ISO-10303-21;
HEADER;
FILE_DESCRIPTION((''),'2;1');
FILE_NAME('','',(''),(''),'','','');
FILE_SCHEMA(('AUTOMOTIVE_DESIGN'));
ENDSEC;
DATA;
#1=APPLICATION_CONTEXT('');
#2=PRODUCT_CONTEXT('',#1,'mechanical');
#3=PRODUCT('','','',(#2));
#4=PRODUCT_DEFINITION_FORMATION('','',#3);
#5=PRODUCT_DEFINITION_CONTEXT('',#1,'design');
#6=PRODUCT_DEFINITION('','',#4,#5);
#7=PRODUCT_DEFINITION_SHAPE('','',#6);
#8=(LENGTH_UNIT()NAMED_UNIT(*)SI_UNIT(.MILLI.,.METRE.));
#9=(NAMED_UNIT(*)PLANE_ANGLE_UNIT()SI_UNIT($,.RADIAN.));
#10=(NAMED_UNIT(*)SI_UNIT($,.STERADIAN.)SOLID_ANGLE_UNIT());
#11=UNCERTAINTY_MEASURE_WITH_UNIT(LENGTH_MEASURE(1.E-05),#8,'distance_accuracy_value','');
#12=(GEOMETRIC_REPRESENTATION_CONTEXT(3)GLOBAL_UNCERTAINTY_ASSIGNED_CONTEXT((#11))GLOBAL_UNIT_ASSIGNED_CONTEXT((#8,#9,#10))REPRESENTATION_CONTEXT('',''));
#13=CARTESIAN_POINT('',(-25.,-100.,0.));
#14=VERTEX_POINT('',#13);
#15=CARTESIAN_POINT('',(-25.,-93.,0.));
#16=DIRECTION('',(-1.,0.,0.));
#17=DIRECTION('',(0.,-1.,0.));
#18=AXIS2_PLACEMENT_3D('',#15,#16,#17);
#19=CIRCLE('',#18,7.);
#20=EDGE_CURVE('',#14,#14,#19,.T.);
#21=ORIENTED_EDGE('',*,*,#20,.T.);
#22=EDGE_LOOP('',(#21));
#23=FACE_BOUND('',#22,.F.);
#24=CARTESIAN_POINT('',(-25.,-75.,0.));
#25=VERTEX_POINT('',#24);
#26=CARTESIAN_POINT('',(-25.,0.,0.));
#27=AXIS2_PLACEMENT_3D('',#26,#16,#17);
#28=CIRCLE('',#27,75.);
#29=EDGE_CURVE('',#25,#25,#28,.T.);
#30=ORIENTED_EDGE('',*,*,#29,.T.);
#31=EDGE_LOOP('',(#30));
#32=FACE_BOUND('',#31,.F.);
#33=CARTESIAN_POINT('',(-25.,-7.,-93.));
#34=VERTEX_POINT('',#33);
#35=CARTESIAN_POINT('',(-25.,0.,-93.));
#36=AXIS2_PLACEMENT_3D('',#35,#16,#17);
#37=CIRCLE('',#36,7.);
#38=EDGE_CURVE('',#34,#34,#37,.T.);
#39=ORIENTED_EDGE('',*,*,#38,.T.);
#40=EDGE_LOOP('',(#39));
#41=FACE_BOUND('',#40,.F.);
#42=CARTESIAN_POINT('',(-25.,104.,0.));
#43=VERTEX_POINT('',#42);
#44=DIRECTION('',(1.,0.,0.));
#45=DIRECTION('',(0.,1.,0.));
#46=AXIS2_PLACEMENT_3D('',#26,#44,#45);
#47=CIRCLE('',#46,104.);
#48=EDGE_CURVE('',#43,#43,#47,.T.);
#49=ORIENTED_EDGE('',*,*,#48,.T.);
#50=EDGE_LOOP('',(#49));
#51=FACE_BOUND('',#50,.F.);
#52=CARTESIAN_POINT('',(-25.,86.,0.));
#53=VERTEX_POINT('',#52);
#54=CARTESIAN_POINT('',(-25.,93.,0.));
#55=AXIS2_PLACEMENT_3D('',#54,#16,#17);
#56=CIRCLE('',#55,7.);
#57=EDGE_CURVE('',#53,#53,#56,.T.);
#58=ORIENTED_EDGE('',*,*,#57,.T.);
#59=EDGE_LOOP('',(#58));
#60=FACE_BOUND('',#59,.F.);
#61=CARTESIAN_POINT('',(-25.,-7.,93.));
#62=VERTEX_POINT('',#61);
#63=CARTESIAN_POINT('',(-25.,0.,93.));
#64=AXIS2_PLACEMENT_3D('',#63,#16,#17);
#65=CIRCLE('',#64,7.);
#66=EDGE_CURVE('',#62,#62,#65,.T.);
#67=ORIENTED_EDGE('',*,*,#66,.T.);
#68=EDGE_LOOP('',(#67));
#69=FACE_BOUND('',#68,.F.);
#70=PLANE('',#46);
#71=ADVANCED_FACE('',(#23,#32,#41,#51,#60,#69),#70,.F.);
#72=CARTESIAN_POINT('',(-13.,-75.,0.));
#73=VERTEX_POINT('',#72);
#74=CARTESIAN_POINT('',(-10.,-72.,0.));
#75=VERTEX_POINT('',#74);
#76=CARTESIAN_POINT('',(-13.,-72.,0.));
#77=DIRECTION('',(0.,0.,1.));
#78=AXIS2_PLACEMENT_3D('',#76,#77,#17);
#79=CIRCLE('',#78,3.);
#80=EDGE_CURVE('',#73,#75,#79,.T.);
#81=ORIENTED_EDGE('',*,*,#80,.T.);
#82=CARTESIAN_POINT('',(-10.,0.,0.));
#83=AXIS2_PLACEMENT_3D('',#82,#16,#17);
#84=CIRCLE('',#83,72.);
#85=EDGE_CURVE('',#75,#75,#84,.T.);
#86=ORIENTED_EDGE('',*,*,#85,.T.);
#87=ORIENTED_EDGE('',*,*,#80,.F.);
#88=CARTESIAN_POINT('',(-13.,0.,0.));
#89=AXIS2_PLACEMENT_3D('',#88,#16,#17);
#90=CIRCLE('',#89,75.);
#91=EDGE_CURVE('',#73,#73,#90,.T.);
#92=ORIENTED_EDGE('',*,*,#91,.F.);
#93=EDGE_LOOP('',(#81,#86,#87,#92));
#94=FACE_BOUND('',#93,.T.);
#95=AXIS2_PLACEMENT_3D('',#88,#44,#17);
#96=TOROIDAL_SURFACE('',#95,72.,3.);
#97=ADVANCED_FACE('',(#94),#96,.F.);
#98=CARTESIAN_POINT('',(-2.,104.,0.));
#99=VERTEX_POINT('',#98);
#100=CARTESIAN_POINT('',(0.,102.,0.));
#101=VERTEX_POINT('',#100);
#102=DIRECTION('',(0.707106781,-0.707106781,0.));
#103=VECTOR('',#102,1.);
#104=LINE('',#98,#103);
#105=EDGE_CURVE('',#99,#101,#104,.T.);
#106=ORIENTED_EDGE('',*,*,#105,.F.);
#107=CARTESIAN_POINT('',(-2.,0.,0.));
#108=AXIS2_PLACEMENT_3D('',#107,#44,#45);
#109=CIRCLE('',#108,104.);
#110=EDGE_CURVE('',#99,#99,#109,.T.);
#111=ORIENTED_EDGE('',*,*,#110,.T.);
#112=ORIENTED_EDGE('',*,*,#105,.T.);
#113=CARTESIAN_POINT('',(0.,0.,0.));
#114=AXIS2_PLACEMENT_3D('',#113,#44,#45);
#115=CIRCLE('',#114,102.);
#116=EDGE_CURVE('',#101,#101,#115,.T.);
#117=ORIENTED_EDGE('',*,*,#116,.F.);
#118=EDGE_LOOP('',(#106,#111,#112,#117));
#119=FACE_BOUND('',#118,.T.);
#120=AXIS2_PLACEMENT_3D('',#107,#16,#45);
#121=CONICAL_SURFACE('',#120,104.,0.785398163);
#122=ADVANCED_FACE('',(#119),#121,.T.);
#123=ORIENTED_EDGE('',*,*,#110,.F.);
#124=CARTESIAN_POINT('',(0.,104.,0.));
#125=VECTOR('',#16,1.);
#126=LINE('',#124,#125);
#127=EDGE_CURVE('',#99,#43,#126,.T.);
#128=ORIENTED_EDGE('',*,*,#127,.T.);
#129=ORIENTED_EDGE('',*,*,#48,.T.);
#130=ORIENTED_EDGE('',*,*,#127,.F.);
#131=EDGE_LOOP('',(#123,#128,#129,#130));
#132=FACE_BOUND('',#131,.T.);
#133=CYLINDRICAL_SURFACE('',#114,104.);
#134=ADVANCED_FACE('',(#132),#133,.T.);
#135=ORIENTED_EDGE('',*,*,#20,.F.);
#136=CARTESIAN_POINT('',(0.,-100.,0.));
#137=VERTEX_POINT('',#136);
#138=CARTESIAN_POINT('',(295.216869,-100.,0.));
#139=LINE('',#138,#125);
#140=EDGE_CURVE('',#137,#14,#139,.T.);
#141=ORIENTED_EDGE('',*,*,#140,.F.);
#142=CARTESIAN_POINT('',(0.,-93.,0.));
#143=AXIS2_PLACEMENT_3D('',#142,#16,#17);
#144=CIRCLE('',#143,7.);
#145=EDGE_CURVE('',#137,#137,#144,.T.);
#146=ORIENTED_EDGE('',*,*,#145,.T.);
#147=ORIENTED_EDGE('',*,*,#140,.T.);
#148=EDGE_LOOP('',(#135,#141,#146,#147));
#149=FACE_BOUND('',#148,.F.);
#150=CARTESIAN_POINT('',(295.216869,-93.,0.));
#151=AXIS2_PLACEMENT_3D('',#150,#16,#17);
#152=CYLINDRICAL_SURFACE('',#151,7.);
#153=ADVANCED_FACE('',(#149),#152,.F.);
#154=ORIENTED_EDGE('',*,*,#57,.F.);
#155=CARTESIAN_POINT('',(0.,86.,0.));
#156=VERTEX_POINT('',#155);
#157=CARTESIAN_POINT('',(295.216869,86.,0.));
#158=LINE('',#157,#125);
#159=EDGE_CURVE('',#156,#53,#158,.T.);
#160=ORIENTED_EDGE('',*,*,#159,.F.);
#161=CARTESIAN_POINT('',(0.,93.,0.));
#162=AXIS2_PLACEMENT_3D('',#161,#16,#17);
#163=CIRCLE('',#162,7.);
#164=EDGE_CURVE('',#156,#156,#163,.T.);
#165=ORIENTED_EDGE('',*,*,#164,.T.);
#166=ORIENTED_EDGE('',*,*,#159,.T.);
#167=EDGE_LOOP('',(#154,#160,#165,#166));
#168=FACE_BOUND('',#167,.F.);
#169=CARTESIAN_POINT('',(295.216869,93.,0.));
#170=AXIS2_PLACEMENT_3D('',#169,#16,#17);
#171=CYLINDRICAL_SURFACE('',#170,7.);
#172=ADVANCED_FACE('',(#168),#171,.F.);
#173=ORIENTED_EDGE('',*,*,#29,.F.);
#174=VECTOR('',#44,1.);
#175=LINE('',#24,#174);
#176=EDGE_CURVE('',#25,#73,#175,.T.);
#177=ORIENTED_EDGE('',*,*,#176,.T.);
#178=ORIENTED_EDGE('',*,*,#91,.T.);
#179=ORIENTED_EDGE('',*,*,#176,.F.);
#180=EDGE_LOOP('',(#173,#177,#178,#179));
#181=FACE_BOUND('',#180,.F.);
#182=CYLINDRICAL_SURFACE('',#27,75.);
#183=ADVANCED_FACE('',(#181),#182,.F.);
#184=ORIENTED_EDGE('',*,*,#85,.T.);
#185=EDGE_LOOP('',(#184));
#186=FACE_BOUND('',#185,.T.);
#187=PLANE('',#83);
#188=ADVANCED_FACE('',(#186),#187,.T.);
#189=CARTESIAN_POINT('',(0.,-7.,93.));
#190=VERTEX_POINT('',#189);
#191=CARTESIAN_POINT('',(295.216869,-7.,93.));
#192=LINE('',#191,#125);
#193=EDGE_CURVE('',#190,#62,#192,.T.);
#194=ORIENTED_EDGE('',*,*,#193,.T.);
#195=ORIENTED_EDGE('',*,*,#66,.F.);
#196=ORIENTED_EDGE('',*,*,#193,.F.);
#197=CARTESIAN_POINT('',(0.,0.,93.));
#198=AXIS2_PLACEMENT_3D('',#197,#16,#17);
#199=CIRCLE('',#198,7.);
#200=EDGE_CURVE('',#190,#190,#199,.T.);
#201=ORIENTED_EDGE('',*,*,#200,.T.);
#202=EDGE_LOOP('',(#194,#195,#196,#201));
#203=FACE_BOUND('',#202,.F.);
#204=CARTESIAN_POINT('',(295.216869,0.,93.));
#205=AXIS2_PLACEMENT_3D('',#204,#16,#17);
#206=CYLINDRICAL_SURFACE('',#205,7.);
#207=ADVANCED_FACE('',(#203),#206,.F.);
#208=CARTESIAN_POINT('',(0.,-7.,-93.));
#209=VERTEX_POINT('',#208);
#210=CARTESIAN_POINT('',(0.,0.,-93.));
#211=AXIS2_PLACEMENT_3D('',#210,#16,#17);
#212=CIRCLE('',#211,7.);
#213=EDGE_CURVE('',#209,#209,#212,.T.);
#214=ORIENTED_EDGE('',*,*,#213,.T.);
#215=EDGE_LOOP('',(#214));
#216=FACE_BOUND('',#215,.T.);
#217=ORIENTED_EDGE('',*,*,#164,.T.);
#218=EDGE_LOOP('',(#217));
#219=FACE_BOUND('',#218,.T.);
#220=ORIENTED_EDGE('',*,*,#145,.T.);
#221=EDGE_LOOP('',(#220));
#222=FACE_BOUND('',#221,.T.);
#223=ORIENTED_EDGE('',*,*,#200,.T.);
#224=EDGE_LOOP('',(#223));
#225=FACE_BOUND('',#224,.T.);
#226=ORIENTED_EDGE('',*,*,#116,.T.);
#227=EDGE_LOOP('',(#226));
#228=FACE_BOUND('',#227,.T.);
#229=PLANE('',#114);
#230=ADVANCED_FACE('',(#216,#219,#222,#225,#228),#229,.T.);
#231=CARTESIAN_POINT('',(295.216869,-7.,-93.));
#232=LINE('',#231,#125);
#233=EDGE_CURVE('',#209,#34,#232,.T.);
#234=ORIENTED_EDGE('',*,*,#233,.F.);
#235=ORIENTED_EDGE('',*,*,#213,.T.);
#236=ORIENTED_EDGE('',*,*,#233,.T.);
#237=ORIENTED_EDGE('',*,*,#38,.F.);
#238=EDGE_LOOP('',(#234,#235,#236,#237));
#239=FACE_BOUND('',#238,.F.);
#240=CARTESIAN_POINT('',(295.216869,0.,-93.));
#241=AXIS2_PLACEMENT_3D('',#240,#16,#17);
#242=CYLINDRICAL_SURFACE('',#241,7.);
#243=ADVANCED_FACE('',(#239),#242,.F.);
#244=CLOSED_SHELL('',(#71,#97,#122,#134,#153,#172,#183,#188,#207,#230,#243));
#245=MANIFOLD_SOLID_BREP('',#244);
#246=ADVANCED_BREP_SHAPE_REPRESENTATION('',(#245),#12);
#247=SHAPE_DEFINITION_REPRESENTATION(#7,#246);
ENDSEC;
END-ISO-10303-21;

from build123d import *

# Parameters (mm, degrees)
F0_R     = 104
F1_DEPTH = 25
F2_R     = 75
F3_DEPTH = 15
F4_R     = 3
F5_SIZE  = 2
F7_D     = 14


with BuildPart() as f1:
    # F0 (on Right) → F1 (new body)
    with BuildSketch(Plane.YZ):
        Circle(F0_R)
    extrude(amount=-F1_DEPTH)

    # F2 (on face) → F3 (cut)
    with BuildSketch(Plane(origin=(-25, 0, 0), x_dir=(0, -1, 0), z_dir=(-1, 0, 0))):
        Circle(F2_R)
    extrude(amount=-F3_DEPTH, mode=Mode.SUBTRACT)

    # F4
    f4_edges = [f1.edges().sort_by_distance(p)[0] for p in [
        (-10, 75, 0),
    ]]
    fillet(f4_edges, radius=F4_R)

    # F5
    f5_edges = [f1.edges().sort_by_distance(p)[0] for p in [
        (0, -104, 0),
    ]]
    chamfer(f5_edges, length=F5_SIZE)

    # F7 (through all)
    with Locations(Plane.YZ):
        with Locations((0, 93), (93, 0), (0, -93), (-93, 0)):
            Hole(F7_D / 2)


solid = f1.part
